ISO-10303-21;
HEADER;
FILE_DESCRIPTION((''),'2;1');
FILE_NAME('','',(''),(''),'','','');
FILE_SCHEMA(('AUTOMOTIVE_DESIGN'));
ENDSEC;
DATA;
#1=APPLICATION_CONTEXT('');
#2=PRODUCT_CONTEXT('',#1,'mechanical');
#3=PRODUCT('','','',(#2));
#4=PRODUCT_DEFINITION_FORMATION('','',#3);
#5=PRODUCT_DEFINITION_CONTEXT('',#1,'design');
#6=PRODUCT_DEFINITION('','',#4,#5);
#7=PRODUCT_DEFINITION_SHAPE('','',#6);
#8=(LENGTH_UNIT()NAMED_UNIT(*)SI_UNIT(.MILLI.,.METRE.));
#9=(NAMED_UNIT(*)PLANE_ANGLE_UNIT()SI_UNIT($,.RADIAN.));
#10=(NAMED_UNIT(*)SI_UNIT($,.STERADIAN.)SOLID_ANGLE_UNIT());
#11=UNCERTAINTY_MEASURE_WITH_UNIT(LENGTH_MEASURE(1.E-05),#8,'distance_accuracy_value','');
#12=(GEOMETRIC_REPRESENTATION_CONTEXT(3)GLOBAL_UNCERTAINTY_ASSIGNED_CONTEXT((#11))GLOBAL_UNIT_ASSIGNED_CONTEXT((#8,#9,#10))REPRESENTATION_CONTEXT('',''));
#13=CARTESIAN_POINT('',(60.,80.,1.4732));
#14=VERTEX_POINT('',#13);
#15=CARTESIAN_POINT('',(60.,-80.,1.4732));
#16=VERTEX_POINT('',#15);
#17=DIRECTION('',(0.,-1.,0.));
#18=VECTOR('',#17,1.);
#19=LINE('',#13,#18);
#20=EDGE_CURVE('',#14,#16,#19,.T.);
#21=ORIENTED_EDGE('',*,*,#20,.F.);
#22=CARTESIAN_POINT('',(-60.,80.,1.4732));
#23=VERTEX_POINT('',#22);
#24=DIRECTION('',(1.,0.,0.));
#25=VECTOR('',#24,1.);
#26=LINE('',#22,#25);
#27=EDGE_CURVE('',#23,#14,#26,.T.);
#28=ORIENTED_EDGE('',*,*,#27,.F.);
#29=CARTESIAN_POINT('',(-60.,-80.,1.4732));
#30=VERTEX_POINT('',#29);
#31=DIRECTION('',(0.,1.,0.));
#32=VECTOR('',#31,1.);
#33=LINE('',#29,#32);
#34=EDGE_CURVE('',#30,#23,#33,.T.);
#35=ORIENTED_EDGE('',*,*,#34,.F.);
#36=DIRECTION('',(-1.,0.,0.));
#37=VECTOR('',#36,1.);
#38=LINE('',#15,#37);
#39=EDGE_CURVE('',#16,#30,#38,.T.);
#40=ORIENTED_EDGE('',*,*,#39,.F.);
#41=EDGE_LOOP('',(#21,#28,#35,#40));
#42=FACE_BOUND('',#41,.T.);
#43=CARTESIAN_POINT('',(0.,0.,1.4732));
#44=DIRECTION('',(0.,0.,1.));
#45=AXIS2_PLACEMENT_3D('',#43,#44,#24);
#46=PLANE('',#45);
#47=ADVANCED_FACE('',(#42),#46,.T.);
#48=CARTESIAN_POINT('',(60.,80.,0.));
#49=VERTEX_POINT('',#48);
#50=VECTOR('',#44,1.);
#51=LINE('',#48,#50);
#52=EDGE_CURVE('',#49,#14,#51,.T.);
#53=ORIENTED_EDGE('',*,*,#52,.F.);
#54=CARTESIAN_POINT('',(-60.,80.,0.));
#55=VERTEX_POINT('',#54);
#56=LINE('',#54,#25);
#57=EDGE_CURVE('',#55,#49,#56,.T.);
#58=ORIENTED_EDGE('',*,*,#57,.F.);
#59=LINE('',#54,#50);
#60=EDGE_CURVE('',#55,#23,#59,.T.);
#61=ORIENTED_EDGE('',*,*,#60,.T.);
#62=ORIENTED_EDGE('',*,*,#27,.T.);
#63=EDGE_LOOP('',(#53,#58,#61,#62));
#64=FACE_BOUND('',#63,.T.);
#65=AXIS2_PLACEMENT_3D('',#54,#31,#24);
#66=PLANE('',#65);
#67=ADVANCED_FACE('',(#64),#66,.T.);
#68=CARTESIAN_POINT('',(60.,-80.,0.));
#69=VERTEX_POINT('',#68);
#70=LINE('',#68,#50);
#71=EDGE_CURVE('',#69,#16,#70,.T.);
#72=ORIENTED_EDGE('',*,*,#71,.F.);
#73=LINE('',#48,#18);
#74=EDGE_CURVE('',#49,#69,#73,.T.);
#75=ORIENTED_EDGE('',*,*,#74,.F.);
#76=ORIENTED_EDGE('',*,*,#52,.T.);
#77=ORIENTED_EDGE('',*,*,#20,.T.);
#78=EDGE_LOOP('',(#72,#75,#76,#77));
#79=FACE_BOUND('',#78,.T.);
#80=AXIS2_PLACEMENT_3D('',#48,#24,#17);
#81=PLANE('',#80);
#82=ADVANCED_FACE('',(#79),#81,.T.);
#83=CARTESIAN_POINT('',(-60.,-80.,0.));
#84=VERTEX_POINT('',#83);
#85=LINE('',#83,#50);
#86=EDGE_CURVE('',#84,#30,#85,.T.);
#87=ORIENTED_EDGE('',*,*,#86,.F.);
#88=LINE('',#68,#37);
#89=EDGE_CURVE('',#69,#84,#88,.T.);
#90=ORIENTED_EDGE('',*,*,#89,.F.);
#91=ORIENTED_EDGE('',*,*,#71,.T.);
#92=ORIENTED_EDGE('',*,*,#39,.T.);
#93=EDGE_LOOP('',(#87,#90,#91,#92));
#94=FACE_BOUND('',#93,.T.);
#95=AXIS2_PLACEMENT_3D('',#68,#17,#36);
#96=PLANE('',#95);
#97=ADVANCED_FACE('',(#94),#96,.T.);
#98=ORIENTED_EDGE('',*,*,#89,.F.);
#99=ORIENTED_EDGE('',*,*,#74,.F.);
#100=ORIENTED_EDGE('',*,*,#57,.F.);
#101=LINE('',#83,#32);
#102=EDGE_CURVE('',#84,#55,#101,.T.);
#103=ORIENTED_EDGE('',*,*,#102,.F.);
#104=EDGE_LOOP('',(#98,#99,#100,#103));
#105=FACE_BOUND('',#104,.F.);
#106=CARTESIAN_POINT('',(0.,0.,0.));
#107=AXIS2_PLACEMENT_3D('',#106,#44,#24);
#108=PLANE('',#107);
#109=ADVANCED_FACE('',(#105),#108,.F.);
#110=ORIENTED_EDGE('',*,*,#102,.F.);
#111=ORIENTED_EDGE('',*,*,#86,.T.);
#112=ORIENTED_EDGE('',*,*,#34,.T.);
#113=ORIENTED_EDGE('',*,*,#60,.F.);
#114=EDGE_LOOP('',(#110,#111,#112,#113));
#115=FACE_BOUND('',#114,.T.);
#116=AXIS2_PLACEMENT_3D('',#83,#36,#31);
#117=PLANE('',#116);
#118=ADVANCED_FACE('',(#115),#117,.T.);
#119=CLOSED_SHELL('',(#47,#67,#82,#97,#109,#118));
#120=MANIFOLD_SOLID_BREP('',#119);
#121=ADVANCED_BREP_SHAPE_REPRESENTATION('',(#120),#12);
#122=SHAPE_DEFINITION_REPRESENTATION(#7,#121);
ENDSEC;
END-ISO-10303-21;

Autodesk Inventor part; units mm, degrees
ref_plane "YZ Plane" through (0, 0, 0) normal (1, 0, 0) x (0, 1, 0)
ref_plane "XZ Plane" through (0, 0, 0) normal (0, 1, 0) x (-1, 0, 0)
ref_plane "XY Plane" through (0, 0, 0) normal (0, 0, 1) x (1, 0, 0)
sketch "Sketch1" plane through (0, 0, 0) normal (0, 0, 1) x (1, 0, 0)
  line L0 (-60, 80) -> (60, 80)
  line L1 (60, 80) -> (60, -80)
  line L2 (60, -80) -> (-60, -80)
  line L3 (-60, -80) -> (-60, 80)
  point P0 (0, 0)
  dimension "d0" = 120
  dimension "d1" = 160
  dimension "d2" = 60
  dimension "d3" = 80
extrude "Extrusion1" add sketch "Sketch1" along normal blind 1.4732
equation "\"d2\" = 0.5 * d0"
equation "\"d3\" = 0.5 * d1"
properties part number "PCB"
